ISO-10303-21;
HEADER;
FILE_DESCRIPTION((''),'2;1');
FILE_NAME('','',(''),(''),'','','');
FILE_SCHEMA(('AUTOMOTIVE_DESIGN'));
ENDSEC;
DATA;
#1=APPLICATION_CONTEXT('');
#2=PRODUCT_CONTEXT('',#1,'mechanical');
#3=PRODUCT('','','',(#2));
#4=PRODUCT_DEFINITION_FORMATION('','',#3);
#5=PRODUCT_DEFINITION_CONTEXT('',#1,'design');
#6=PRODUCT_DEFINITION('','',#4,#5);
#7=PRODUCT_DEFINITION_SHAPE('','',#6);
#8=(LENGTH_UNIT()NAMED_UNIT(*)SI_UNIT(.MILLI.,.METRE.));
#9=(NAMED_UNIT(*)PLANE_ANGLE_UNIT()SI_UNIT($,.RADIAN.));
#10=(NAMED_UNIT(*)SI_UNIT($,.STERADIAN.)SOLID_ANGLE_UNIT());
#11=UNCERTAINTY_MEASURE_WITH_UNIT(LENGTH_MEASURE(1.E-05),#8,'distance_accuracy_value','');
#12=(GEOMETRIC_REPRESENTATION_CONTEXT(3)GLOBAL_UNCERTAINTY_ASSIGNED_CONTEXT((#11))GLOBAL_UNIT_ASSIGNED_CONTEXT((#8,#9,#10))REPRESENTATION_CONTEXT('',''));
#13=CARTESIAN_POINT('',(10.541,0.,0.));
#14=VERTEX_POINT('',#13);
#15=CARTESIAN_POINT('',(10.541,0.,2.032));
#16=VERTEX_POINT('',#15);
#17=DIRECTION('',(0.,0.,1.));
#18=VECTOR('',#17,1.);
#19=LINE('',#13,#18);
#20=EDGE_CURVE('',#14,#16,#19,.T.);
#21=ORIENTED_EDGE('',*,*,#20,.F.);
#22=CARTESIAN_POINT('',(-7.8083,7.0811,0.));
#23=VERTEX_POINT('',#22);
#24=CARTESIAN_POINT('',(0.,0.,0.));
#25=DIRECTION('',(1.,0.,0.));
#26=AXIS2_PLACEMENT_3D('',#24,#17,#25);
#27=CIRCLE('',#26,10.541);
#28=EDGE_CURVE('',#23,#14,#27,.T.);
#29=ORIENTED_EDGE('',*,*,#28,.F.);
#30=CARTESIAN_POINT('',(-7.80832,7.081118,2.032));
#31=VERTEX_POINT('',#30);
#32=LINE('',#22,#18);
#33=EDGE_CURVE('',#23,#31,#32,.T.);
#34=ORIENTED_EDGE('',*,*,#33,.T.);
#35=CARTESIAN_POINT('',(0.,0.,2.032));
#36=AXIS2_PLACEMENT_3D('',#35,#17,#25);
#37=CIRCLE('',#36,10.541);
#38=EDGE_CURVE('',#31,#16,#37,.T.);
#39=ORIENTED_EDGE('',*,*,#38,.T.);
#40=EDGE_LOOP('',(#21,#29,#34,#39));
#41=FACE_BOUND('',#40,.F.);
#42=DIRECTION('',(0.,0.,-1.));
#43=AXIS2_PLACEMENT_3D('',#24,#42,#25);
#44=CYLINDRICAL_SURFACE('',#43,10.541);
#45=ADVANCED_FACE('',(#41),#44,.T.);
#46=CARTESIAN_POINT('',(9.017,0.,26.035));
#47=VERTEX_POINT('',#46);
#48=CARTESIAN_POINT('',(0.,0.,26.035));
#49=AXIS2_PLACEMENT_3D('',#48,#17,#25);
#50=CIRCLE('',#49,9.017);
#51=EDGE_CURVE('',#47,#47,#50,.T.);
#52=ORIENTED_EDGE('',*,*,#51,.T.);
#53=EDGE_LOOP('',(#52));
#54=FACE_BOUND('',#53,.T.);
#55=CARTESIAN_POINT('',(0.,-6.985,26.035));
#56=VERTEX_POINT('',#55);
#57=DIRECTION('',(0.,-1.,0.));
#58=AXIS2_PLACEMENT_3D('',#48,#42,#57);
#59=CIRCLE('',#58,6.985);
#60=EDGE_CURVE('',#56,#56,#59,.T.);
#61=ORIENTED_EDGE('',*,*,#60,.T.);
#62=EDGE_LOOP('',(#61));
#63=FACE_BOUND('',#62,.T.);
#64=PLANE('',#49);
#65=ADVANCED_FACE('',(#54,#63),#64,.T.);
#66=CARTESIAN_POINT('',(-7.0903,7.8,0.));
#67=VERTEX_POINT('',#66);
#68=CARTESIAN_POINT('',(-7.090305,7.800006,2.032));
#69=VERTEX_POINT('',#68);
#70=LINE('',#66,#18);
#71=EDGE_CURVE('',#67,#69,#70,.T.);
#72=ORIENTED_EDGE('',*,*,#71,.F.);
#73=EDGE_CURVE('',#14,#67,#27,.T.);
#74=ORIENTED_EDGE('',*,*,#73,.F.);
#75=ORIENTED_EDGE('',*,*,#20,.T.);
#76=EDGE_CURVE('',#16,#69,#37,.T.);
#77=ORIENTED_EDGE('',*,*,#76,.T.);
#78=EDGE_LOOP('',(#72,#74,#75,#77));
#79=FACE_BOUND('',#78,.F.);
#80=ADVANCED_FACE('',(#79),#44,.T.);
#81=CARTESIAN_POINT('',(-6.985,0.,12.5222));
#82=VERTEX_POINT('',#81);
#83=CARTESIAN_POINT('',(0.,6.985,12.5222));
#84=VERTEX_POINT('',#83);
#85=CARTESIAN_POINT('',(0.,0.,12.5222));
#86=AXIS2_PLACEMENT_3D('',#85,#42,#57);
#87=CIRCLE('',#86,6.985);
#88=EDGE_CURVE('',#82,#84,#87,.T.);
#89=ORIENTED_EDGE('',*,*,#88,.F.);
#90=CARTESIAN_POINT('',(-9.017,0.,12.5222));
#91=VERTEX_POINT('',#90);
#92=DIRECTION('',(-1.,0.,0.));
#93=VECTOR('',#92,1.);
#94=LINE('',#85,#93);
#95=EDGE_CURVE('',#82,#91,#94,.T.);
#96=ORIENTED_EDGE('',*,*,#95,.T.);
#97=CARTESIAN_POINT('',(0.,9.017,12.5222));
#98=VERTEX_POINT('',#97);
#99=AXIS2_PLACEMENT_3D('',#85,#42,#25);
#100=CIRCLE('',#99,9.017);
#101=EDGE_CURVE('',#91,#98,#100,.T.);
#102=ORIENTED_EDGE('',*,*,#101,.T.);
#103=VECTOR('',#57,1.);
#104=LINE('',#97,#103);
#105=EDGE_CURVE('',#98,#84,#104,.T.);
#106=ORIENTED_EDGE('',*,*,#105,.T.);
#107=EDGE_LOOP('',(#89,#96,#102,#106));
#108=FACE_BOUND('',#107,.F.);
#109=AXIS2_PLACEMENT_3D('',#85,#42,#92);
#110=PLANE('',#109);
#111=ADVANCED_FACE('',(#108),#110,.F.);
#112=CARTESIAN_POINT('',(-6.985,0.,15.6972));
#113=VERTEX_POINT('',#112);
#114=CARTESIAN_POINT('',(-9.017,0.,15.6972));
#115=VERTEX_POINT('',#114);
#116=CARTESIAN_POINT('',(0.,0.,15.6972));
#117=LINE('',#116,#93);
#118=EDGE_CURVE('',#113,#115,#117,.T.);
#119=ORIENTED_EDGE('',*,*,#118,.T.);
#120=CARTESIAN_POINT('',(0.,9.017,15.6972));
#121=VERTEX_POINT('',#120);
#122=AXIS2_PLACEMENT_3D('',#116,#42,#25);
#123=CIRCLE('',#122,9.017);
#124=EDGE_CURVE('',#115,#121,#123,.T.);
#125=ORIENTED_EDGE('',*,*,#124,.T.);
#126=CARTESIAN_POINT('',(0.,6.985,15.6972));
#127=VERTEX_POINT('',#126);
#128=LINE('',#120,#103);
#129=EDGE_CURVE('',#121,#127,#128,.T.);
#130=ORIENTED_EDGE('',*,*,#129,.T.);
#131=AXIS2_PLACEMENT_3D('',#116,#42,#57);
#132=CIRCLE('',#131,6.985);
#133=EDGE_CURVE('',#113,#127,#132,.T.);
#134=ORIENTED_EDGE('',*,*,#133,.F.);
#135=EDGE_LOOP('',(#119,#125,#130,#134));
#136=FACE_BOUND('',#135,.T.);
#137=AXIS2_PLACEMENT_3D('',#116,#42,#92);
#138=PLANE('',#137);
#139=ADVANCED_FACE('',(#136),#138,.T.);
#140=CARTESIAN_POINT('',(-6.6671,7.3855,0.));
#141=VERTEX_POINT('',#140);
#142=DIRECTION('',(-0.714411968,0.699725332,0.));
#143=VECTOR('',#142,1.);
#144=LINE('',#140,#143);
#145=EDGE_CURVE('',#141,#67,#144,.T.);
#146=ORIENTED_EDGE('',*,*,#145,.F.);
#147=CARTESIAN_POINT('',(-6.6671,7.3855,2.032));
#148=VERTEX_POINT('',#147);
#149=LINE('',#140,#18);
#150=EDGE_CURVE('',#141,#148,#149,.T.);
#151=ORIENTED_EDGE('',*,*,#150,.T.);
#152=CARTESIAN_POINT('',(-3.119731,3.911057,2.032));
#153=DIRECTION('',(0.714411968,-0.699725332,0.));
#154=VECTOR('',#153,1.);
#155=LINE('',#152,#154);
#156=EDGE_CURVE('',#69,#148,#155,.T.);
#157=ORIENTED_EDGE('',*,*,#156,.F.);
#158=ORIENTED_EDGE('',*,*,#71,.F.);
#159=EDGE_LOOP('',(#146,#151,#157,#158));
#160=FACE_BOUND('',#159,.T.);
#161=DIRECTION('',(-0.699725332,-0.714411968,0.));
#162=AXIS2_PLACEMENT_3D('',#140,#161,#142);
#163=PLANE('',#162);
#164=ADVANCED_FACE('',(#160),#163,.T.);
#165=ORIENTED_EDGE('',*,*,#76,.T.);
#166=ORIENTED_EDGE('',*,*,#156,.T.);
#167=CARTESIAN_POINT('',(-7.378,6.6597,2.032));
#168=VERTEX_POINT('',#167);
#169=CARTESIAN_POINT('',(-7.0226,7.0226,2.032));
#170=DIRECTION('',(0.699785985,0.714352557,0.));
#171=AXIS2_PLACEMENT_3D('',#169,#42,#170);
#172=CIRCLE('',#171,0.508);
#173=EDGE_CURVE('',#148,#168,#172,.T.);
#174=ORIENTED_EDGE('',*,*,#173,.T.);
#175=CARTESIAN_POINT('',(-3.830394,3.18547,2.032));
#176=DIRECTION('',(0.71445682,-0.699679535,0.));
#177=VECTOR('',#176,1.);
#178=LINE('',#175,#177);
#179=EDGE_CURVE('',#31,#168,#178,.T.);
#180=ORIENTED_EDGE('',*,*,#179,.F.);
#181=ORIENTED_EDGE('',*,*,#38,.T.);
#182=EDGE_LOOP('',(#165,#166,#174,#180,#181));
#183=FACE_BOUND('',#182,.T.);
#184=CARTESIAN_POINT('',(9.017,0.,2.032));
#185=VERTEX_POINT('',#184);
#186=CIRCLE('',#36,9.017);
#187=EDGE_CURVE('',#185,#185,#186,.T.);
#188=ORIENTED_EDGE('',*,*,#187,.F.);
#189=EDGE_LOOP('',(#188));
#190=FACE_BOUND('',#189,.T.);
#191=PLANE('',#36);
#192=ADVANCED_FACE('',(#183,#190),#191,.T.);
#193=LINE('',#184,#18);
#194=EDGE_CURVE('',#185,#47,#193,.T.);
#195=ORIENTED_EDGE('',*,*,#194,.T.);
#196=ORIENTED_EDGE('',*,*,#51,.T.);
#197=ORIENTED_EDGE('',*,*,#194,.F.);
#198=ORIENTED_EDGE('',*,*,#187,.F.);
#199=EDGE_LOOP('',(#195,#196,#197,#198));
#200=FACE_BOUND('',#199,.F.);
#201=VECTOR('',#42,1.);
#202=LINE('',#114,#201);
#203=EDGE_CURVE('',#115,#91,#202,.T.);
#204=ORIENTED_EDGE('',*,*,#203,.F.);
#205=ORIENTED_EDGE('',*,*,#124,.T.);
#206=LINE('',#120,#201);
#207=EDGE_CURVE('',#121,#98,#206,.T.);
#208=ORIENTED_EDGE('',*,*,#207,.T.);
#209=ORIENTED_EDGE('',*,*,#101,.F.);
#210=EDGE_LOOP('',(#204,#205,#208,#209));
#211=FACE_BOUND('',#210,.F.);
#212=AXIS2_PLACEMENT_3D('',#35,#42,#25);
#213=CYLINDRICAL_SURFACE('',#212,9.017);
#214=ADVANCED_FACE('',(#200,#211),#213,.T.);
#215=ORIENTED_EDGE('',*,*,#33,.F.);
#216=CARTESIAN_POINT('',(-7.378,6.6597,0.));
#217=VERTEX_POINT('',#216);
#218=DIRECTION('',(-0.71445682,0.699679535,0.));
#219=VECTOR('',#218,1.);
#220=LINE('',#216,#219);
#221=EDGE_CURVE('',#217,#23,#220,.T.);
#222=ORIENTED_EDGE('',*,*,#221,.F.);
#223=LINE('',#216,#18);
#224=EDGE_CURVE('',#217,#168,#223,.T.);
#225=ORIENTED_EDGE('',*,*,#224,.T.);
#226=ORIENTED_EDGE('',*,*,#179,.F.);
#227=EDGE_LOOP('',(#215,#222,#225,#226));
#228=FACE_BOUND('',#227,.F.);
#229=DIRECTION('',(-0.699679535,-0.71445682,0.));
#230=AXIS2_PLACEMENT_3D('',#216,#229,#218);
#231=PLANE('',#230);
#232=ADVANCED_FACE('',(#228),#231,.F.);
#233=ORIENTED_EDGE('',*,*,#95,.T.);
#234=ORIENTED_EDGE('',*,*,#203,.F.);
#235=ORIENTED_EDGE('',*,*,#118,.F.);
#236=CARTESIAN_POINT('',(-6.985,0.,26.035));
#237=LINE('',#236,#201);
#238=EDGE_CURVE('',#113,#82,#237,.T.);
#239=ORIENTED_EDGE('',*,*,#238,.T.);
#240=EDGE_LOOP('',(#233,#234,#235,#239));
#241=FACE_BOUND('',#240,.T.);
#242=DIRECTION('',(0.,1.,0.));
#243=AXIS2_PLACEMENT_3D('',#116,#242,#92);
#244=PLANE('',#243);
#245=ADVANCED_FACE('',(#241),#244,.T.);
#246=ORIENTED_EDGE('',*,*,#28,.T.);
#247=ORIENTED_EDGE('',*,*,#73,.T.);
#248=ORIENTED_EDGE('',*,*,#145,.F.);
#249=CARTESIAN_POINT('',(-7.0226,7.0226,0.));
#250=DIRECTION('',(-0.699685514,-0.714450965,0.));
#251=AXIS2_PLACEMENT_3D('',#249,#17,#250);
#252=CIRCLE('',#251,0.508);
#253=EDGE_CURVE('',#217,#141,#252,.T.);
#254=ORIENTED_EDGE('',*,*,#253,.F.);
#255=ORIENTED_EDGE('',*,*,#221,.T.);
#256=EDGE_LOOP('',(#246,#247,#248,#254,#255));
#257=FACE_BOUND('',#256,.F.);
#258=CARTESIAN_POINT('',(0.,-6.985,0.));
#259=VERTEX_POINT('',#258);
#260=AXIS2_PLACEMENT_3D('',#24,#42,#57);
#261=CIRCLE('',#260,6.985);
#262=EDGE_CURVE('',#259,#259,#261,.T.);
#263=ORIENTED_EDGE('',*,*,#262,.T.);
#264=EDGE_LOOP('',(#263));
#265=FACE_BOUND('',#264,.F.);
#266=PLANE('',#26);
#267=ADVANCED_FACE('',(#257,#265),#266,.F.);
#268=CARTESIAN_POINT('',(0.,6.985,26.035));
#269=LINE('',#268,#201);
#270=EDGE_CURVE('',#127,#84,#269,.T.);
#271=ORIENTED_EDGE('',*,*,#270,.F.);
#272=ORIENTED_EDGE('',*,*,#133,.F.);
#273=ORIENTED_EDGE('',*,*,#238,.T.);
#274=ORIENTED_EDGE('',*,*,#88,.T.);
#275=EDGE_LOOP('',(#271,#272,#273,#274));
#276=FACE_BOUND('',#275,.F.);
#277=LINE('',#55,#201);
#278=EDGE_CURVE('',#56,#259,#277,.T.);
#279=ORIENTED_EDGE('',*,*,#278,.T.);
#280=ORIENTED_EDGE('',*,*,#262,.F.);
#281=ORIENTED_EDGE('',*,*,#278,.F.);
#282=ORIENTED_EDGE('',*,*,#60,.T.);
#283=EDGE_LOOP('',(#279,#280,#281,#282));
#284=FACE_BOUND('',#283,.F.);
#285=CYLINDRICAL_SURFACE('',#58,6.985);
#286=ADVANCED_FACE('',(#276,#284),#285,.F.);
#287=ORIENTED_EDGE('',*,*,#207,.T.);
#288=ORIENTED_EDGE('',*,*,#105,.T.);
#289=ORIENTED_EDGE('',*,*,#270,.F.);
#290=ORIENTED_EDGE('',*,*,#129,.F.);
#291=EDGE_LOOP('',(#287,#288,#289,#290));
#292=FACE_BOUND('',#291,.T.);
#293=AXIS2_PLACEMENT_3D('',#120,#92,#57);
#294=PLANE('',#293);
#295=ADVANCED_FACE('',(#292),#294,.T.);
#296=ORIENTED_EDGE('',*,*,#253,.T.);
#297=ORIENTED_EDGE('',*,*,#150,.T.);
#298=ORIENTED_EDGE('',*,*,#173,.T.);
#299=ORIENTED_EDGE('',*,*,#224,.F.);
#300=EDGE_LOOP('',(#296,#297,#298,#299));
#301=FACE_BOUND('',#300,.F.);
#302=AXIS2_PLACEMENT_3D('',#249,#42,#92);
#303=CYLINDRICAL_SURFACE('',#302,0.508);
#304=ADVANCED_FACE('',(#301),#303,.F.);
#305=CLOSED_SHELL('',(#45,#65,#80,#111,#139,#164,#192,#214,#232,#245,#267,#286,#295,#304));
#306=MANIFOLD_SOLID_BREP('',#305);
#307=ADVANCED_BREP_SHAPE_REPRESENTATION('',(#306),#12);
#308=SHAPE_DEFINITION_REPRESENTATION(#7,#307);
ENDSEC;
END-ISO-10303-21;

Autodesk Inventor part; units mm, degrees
ref_plane "YZ Plane" through (0, 0, 0) normal (1, 0, 0) x (0, 1, 0)
ref_plane "XZ Plane" through (0, 0, 0) normal (0, 1, 0) x (-1, 0, 0)
sketch "Sketch1" plane through (0, 0, 0) normal (0, 0, 1) x (1, 0, 0)
  circle A0 centre (0, 0) radius 10.541
  dimension "d0" = 21.082
extrude "Extrusion1" add sketch "Sketch1" along normal blind 2.032
ref_plane "Work Plane4" through (0, 0, 15.6972) normal (0, 0, -1) x (-1, 0, 0)
sketch "Sketch2" plane through (0, 0, 2.032) normal (0, 0, 1) x (1, 0, 0)
  circle A0 centre (0, 0) radius 9.017
  dimension "d3" = 18.034
extrude "Extrusion2" add sketch "Sketch2" along normal blind 24.003
sketch "Sketch5" plane through (0, 0, 15.6972) normal (0, 0, -1) x (-1, 0, 0)
  line L0 (0, 0) -> (9.017, 0)
  line L1 (9.017, 0) -> (9.017, 9.017)
  line L2 (9.017, 9.017) -> (0, 9.017)
  line L3 (0, 9.017) -> (0, 0)
  dimension "d16" = 9.017
  dimension "d17" = 9.017
extrude "Extrusion3" cut sketch "Sketch5" along normal blind 3.175
hole "Hole1" at (0, 0, 26.035) direction (0, 0, -1) diameter 13.97 end through all
sketch "Sketch6" plane through (0, 0, 0) normal (0, 0, -1) x (-1, 0, 0)
  line L0 (0, 0) -> (7.629, -6.3585) construction
  line L1 (0, 0) -> (9.9314, 0) construction
  circle A0 centre (7.629, -6.3585) radius 0.508
  line L2 (7.3038, -6.7487) -> (7.7626, -7.1312)
  circle A1 centre (0, 0) radius 10.541 projected
  line L3 (7.9543, -5.9683) -> (8.4131, -6.3507)
  line L4 (0, 0) -> (7.0226, 7.0226)
  line L5 (0, 0) -> (9.9314, 0) construction
  circle A2 centre (7.0226, 7.0226) radius 0.508
  line L6 (6.6671, 7.3855) -> (7.0903, 7.8)
  line L7 (7.378, 6.6597) -> (7.8083, 7.0811)
  line L8 (10.541, 0) -> (10.541, 7.62)
  dimension "d20" = 9.9314
  dimension "d21" = 39.81
  dimension "d22" = 1.016
  dimension "d25" = 9.9314
  dimension "d26" = 45
  dimension "d27" = 1.016
  dimension "d30" = 7.62
extrude "Extrusion5" cut sketch "Sketch6" against normal through all contours A1 L7 A2 L6 | A2
sketch "Sketch7" plane through (0, 0, 26.035) normal (0, 0, 1) x (1, 0, 0)
  point P0 (0, 0)
properties part number "Piston Shaft"
